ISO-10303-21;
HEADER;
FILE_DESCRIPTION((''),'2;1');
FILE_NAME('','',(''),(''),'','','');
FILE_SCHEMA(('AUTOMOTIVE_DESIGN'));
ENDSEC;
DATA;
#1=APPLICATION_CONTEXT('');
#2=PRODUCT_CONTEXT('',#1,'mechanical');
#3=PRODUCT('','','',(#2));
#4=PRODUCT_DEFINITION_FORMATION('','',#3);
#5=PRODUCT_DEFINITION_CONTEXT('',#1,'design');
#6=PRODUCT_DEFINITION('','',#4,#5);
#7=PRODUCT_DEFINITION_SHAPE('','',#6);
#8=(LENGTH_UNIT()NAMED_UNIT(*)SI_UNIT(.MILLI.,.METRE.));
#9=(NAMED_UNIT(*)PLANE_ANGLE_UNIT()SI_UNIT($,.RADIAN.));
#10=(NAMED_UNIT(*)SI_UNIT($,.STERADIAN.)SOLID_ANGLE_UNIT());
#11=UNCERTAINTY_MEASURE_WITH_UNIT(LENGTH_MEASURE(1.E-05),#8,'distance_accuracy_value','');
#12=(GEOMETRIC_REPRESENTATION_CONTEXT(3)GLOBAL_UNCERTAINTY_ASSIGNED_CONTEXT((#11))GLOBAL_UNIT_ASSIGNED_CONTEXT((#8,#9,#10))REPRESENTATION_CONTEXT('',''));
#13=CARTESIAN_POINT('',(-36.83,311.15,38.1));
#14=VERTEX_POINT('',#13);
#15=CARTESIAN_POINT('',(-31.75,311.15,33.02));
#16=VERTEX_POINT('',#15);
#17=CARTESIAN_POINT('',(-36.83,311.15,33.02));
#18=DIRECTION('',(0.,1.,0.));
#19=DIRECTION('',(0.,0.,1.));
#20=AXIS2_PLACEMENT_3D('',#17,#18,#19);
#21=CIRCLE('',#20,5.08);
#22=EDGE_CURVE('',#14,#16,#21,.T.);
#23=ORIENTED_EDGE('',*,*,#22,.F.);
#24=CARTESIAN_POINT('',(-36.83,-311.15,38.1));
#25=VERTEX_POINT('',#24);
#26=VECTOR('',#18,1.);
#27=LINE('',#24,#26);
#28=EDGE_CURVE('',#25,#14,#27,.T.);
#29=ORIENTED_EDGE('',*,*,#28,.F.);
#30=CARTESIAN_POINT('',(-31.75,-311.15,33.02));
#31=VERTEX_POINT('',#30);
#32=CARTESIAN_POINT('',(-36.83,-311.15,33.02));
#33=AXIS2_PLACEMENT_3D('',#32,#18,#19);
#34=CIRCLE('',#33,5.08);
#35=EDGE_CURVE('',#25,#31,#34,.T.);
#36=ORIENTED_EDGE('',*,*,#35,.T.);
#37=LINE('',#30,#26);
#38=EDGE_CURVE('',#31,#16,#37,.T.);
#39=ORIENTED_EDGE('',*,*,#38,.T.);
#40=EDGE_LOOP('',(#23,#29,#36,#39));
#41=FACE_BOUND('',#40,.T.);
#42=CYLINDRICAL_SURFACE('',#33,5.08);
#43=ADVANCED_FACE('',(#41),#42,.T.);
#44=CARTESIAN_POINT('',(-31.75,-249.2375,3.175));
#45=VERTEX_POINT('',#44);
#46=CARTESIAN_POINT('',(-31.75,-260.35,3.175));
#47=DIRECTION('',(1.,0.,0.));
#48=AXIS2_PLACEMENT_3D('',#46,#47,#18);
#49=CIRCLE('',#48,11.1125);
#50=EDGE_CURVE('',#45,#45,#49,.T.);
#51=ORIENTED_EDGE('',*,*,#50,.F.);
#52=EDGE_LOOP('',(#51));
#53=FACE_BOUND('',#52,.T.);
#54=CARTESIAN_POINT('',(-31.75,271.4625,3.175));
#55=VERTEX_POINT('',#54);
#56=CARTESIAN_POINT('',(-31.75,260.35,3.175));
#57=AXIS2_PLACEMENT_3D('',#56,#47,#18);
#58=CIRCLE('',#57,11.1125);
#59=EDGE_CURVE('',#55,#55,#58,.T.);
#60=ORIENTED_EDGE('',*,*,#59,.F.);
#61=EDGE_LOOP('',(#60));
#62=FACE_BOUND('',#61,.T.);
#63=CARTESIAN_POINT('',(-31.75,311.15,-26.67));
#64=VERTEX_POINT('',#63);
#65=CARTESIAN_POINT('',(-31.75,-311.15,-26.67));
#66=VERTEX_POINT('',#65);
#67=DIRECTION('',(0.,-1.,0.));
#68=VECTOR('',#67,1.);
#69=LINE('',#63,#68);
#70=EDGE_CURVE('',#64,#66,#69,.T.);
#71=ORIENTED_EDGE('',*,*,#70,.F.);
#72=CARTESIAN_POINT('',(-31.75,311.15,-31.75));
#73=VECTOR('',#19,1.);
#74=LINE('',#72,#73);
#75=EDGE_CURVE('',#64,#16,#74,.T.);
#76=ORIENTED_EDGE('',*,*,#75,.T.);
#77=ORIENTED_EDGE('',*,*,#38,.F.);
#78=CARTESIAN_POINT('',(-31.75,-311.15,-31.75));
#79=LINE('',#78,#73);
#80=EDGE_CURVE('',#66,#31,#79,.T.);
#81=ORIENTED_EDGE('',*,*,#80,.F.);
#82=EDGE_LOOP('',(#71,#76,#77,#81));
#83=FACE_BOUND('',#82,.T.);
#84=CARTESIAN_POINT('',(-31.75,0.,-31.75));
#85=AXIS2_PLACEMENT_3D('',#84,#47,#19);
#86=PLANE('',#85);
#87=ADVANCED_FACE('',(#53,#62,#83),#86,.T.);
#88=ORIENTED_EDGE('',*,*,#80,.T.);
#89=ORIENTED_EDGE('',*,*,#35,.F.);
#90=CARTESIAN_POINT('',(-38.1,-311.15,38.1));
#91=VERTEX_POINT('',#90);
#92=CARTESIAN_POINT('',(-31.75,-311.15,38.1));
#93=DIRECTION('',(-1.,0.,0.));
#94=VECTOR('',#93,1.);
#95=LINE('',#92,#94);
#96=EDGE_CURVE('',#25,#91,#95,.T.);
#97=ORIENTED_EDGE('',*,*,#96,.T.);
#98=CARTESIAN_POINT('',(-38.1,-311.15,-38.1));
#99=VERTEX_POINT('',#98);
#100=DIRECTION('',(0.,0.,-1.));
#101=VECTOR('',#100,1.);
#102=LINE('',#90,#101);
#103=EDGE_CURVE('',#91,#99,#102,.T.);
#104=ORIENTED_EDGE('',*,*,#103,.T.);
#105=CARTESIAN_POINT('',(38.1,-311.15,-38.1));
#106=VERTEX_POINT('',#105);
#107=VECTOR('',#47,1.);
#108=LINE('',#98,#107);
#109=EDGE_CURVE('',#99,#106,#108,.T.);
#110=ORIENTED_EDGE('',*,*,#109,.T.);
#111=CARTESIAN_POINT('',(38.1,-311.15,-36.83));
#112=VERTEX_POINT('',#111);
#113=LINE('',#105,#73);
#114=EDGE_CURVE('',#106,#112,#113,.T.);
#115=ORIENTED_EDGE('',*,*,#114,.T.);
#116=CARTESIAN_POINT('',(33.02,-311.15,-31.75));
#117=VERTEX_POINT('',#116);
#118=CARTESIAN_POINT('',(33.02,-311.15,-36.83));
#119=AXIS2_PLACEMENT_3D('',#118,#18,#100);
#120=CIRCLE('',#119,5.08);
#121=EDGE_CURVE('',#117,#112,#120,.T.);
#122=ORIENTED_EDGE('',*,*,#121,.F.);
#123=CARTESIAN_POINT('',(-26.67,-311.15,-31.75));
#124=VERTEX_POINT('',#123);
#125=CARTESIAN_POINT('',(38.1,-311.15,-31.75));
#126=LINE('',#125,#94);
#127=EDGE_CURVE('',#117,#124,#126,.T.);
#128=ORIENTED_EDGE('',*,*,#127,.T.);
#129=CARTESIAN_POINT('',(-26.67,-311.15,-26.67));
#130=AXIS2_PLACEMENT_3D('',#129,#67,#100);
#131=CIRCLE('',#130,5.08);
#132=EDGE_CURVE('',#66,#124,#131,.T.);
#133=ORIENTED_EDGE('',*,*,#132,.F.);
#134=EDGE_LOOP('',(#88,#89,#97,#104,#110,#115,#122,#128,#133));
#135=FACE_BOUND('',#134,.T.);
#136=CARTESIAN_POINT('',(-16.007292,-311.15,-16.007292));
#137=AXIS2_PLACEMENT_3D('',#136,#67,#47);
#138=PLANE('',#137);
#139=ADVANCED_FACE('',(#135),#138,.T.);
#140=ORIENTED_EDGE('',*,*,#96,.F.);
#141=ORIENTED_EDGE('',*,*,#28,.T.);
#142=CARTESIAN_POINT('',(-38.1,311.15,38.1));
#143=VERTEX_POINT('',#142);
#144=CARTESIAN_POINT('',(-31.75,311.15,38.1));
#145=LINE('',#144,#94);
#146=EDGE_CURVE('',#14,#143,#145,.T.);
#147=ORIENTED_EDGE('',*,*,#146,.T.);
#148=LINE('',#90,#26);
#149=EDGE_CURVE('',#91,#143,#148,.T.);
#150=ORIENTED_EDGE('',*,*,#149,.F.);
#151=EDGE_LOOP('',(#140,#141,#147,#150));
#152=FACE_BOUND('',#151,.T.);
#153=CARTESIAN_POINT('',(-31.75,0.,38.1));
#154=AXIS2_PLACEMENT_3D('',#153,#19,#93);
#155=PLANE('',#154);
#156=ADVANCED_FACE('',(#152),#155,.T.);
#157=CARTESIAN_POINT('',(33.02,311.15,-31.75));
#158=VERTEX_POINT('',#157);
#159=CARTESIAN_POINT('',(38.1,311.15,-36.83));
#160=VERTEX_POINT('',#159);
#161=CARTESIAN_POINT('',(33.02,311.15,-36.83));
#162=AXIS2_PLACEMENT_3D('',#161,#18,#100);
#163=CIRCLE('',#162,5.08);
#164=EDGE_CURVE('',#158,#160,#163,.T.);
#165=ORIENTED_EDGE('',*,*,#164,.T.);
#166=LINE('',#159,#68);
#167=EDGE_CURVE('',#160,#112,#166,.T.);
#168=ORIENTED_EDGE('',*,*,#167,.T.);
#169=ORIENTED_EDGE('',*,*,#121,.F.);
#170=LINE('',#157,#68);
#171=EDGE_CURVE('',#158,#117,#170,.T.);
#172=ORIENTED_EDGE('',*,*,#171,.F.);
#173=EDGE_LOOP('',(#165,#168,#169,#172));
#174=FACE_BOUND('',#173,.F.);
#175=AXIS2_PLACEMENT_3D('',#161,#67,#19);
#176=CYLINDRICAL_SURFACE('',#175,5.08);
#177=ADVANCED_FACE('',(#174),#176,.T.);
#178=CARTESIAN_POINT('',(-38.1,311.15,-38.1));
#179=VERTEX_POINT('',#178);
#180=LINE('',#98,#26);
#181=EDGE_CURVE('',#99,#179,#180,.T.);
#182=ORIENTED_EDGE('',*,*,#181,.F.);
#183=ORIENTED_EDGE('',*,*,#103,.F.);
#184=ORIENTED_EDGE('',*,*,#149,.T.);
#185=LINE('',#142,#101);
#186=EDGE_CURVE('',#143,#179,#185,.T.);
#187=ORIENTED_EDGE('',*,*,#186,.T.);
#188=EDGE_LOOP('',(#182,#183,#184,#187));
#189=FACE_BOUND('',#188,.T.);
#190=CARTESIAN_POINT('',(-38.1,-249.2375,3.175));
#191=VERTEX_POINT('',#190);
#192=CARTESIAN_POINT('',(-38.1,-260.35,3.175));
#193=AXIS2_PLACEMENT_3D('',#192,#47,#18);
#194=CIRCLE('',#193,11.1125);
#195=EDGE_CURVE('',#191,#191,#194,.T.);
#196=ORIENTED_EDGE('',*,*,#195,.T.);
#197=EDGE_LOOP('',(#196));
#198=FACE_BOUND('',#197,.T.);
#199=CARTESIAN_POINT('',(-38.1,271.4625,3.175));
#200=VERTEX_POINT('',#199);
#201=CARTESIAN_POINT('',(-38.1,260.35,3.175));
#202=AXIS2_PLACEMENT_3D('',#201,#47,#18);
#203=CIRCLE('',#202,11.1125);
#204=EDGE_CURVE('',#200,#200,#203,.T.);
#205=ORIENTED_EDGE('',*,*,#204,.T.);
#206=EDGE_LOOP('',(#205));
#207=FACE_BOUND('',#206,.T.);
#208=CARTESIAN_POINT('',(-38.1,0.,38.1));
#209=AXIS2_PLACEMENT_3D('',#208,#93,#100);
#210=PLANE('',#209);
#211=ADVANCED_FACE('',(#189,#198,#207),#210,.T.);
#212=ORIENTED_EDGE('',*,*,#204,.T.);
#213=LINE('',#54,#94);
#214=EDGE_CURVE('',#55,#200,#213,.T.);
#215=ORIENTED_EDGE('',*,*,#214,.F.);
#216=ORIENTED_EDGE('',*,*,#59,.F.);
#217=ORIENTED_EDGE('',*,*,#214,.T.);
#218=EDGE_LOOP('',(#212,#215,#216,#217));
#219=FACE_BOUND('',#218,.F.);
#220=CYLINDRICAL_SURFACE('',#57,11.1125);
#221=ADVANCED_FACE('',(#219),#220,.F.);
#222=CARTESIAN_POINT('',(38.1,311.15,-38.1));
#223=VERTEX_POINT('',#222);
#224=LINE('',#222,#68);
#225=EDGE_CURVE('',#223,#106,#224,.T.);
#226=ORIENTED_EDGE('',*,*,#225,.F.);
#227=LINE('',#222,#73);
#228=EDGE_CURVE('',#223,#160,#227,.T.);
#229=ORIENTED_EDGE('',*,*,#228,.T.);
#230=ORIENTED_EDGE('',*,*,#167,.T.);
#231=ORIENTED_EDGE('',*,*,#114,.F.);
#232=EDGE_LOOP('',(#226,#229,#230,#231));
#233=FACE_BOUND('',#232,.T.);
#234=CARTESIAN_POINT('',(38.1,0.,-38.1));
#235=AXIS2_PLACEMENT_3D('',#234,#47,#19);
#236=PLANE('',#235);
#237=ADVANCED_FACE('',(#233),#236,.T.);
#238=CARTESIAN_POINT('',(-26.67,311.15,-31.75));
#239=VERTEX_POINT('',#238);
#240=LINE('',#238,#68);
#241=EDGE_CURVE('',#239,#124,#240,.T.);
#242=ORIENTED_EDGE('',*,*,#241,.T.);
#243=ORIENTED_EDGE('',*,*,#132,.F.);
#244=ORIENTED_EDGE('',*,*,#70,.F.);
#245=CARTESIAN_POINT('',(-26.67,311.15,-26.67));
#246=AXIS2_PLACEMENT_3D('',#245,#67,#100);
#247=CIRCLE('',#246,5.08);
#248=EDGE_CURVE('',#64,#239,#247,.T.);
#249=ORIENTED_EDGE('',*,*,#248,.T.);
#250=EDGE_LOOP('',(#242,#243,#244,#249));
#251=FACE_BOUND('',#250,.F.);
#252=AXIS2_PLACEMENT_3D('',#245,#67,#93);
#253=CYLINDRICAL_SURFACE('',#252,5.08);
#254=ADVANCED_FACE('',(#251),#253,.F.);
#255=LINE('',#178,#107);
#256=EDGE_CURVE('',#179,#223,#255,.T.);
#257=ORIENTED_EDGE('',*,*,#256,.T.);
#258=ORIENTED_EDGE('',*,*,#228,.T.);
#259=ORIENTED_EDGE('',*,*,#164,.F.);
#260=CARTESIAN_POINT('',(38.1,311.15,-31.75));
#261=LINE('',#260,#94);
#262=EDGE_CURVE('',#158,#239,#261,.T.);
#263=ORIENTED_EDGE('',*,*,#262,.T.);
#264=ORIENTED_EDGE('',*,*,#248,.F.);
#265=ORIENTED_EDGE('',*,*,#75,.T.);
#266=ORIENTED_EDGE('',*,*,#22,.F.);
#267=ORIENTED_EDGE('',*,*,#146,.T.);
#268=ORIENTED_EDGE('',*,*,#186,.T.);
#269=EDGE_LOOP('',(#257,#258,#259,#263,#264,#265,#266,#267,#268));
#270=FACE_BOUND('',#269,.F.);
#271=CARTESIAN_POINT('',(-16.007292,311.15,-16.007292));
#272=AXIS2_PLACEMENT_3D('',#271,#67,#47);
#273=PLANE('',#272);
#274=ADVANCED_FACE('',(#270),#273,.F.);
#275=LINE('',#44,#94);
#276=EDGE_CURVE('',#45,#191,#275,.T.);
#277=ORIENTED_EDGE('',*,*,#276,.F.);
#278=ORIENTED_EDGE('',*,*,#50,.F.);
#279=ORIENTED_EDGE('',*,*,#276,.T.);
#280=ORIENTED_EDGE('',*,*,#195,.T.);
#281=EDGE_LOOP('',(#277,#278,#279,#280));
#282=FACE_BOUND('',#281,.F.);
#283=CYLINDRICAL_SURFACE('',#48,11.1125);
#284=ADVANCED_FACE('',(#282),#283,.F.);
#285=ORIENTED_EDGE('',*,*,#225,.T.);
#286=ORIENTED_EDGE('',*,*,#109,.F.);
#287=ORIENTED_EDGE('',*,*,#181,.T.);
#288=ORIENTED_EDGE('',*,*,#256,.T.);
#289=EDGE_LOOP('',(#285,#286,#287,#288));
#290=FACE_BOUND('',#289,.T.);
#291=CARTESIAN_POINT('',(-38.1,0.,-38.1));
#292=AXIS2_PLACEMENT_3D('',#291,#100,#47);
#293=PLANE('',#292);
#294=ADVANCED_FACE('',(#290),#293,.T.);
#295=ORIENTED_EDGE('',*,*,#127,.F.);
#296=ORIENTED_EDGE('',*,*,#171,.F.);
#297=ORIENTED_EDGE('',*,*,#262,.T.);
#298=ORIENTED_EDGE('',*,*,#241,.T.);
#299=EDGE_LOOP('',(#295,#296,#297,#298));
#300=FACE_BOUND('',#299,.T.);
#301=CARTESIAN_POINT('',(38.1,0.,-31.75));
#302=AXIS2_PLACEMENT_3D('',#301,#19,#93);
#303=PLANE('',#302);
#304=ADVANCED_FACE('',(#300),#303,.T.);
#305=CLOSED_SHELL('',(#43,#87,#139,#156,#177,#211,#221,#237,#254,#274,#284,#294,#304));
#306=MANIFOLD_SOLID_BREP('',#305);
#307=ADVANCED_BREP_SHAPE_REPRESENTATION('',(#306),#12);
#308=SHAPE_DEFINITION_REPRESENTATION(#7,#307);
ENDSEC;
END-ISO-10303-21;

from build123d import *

# Parameters (mm, degrees)
F1_DEPTH = 311.15
F2_R     = 5.08
F3_R     = 11.1125
F4_DEPTH = 25.4


with BuildPart() as f1:
    # F0 (on Front) → F1 (new body, symmetric)
    with BuildSketch(Plane.XZ):
        Polygon((-38.1, -38.1), (38.1, -38.1), (38.1, -31.75), (-31.75, -31.75), (-31.75, 38.1), (-38.1, 38.1), align=None)
    extrude(amount=F1_DEPTH, both=True)

    # F2
    f2_edges = [f1.edges().sort_by_distance(p)[0] for p in [
        (-31.75, 0, 38.1),
        (-31.75, 0, -31.75),
        (38.1, 0, -31.75),
    ]]
    fillet(f2_edges, radius=F2_R)

    # F3 (on face) → F4 (cut)
    with BuildSketch(Plane.YZ.offset(-31.75)):
        with Locations((260.35, 3.175)):
            Circle(F3_R)
        with Locations((-260.35, 3.175)):
            Circle(F3_R)
    extrude(amount=-F4_DEPTH, mode=Mode.SUBTRACT)


solid = f1.part
